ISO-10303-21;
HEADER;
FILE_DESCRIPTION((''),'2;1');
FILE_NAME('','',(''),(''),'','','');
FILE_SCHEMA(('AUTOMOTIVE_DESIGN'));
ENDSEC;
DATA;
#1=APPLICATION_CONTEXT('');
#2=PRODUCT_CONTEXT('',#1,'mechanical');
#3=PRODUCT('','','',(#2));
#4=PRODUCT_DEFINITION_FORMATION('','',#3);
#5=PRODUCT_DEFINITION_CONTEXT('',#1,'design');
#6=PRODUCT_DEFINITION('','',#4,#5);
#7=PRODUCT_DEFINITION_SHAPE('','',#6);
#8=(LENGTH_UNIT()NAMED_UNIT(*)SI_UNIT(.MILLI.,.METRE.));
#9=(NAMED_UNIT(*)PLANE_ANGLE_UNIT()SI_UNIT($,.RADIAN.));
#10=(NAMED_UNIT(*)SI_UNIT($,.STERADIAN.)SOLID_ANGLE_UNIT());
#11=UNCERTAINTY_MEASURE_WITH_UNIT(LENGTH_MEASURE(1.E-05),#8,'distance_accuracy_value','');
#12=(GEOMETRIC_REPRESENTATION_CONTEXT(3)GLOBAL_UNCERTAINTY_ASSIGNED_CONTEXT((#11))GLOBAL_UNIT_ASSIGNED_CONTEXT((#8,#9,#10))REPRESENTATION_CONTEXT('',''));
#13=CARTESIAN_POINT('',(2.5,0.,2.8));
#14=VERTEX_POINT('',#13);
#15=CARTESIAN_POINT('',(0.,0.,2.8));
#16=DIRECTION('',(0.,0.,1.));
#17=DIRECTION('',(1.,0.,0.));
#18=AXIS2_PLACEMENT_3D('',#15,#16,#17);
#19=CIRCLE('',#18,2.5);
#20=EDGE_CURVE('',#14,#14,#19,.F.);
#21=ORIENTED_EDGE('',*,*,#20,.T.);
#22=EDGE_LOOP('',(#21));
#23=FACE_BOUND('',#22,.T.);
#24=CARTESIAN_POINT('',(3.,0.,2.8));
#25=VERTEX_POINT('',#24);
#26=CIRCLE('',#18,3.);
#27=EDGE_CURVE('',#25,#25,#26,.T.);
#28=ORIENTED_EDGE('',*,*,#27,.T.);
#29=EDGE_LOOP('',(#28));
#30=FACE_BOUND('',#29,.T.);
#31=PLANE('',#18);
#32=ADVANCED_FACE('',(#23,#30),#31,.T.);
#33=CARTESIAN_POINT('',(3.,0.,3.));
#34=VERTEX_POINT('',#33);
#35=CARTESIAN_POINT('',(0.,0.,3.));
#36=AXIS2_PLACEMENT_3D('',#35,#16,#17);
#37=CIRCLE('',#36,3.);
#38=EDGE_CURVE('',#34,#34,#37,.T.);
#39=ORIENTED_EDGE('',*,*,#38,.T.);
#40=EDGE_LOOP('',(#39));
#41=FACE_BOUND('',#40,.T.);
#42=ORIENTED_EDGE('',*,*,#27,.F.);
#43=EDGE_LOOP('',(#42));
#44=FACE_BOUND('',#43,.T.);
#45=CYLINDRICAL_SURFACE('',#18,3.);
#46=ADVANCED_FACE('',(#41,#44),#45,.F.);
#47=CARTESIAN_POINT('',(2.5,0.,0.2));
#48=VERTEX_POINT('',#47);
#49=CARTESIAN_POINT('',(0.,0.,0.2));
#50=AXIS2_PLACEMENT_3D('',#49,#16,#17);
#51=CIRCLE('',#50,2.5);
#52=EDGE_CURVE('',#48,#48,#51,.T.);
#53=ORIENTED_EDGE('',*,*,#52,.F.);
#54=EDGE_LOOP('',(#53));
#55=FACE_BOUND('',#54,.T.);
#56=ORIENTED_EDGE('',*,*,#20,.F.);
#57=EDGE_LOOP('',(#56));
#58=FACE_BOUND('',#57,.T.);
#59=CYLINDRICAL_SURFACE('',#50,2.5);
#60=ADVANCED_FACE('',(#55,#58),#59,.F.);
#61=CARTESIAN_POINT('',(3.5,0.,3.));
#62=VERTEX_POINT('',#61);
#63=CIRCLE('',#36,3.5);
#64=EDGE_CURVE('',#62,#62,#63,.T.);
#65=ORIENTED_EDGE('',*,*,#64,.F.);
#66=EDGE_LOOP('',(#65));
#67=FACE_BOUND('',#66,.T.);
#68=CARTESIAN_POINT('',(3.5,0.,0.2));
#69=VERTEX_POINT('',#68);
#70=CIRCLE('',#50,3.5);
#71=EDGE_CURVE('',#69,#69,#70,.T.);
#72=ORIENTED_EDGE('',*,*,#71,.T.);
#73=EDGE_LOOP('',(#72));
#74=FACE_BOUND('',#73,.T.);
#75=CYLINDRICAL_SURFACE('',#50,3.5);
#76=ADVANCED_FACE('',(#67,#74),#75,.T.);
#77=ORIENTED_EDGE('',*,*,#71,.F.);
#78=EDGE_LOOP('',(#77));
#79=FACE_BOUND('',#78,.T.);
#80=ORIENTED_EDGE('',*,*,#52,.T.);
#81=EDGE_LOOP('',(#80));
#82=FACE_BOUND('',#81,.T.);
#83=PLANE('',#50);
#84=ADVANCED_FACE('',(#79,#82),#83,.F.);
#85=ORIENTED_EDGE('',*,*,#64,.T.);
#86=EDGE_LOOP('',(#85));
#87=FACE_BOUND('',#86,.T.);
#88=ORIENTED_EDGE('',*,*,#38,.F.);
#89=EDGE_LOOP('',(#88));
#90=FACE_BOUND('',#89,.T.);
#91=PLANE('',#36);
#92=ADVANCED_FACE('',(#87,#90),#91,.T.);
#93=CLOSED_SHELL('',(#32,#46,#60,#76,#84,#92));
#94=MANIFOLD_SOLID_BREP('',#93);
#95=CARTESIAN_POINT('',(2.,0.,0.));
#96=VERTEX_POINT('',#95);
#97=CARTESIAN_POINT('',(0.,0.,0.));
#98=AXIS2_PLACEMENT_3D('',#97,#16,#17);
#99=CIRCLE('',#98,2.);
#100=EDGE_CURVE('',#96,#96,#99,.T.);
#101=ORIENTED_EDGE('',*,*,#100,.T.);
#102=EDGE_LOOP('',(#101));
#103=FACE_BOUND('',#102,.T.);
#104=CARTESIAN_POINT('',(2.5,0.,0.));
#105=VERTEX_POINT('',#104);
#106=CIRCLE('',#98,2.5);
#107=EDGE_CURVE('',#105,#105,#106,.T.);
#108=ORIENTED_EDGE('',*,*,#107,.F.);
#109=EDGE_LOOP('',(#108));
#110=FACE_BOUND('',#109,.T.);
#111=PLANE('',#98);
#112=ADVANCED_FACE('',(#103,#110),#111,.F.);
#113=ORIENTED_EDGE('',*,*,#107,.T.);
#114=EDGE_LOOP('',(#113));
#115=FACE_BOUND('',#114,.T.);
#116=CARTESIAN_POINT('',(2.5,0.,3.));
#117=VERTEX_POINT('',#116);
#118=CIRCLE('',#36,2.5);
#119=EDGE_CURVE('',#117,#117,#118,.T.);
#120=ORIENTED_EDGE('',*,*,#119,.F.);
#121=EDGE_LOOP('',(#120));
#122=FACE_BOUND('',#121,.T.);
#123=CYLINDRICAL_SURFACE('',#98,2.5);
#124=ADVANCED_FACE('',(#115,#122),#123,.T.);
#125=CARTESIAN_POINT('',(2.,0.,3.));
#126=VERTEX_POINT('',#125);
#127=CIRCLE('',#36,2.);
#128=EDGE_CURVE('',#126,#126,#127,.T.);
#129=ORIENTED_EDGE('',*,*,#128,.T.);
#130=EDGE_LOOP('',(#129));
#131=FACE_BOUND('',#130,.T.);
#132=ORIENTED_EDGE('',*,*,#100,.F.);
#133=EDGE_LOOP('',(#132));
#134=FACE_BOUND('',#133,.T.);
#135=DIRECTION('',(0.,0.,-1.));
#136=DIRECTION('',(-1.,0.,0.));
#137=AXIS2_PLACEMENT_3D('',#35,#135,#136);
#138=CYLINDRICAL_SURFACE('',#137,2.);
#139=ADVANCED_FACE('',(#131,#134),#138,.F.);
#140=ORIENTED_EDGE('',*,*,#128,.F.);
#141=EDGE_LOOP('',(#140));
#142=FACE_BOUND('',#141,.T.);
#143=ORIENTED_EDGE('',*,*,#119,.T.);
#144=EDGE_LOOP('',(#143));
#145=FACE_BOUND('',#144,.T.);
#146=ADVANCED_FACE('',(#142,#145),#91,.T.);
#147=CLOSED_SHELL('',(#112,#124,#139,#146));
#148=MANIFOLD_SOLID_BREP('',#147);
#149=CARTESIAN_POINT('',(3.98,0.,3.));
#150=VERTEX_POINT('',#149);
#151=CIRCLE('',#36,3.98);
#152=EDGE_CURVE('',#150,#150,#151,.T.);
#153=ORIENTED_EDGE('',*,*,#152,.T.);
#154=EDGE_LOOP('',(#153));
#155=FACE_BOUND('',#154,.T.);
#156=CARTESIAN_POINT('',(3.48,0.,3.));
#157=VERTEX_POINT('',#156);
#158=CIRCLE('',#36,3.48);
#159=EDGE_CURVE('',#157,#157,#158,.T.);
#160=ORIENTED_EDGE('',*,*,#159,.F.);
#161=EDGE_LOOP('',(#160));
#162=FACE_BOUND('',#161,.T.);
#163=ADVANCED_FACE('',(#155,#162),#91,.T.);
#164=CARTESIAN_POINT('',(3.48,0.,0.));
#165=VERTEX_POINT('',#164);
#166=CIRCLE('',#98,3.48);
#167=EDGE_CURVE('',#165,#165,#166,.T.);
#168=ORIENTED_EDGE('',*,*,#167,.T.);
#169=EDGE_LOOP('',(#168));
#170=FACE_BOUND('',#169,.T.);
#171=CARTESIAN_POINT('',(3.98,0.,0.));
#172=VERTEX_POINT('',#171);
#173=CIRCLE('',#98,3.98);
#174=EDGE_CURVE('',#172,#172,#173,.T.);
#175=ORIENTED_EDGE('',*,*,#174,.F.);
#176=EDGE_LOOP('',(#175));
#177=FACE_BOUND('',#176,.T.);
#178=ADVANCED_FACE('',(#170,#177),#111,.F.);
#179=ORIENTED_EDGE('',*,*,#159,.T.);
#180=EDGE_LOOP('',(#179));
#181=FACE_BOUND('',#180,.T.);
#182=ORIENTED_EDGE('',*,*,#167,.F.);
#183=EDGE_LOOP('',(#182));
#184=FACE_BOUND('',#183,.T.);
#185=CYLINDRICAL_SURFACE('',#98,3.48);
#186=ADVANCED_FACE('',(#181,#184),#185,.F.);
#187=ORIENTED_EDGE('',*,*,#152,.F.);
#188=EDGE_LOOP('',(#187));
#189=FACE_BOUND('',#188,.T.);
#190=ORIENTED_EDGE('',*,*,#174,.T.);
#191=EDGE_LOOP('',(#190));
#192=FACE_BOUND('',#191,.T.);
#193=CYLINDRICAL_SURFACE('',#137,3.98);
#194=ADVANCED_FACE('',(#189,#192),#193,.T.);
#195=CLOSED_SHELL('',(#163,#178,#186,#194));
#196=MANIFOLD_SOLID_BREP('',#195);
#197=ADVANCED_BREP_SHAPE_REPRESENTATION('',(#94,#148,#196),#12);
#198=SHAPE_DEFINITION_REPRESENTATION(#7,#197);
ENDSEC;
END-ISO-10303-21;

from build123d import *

# Parameters (mm, degrees)
SKETCH1_R           = 3.98
SKETCH1_R_2         = 2
BOSS_EXTRUDE1_DEPTH = 3
SKETCH2_R           = 3.48
SKETCH2_R_2         = 2.5
CUT_EXTRUDE1_DEPTH  = 3
SKETCH3_R           = 3.5
SKETCH3_R_2         = 2.5
BOSS_EXTRUDE3_DEPTH = 2.8
SKETCH4_R           = 3
SKETCH4_R_2         = 2
CUT_EXTRUDE2_DEPTH  = 0.2


with BuildPart() as part:
    # Sketch1 → Boss-Extrude1 (new body)
    with BuildSketch(Plane.XY):
        Circle(SKETCH1_R)
        Circle(SKETCH1_R_2, mode=Mode.SUBTRACT)
    extrude(amount=BOSS_EXTRUDE1_DEPTH)

    # Sketch2 → Cut-Extrude1 (cut)
    with BuildSketch(Plane.XY.offset(3)):
        Circle(SKETCH2_R)
        Circle(SKETCH2_R_2, mode=Mode.SUBTRACT)
    extrude(amount=-CUT_EXTRUDE1_DEPTH, mode=Mode.SUBTRACT)


with BuildPart() as body_2:
    # Sketch3 → Boss-Extrude3 (new body)
    with BuildSketch(Plane.XY.offset(3)):
        Circle(SKETCH3_R)
        Circle(SKETCH3_R_2, mode=Mode.SUBTRACT)
    extrude(amount=-BOSS_EXTRUDE3_DEPTH)

    # Sketch4 → Cut-Extrude2 (cut)
    with BuildSketch(Plane.XY.offset(3)):
        Circle(SKETCH4_R)
        Circle(SKETCH4_R_2, mode=Mode.SUBTRACT)
    extrude(amount=-CUT_EXTRUDE2_DEPTH, mode=Mode.SUBTRACT)


solid = Compound([part.part, body_2.part])
